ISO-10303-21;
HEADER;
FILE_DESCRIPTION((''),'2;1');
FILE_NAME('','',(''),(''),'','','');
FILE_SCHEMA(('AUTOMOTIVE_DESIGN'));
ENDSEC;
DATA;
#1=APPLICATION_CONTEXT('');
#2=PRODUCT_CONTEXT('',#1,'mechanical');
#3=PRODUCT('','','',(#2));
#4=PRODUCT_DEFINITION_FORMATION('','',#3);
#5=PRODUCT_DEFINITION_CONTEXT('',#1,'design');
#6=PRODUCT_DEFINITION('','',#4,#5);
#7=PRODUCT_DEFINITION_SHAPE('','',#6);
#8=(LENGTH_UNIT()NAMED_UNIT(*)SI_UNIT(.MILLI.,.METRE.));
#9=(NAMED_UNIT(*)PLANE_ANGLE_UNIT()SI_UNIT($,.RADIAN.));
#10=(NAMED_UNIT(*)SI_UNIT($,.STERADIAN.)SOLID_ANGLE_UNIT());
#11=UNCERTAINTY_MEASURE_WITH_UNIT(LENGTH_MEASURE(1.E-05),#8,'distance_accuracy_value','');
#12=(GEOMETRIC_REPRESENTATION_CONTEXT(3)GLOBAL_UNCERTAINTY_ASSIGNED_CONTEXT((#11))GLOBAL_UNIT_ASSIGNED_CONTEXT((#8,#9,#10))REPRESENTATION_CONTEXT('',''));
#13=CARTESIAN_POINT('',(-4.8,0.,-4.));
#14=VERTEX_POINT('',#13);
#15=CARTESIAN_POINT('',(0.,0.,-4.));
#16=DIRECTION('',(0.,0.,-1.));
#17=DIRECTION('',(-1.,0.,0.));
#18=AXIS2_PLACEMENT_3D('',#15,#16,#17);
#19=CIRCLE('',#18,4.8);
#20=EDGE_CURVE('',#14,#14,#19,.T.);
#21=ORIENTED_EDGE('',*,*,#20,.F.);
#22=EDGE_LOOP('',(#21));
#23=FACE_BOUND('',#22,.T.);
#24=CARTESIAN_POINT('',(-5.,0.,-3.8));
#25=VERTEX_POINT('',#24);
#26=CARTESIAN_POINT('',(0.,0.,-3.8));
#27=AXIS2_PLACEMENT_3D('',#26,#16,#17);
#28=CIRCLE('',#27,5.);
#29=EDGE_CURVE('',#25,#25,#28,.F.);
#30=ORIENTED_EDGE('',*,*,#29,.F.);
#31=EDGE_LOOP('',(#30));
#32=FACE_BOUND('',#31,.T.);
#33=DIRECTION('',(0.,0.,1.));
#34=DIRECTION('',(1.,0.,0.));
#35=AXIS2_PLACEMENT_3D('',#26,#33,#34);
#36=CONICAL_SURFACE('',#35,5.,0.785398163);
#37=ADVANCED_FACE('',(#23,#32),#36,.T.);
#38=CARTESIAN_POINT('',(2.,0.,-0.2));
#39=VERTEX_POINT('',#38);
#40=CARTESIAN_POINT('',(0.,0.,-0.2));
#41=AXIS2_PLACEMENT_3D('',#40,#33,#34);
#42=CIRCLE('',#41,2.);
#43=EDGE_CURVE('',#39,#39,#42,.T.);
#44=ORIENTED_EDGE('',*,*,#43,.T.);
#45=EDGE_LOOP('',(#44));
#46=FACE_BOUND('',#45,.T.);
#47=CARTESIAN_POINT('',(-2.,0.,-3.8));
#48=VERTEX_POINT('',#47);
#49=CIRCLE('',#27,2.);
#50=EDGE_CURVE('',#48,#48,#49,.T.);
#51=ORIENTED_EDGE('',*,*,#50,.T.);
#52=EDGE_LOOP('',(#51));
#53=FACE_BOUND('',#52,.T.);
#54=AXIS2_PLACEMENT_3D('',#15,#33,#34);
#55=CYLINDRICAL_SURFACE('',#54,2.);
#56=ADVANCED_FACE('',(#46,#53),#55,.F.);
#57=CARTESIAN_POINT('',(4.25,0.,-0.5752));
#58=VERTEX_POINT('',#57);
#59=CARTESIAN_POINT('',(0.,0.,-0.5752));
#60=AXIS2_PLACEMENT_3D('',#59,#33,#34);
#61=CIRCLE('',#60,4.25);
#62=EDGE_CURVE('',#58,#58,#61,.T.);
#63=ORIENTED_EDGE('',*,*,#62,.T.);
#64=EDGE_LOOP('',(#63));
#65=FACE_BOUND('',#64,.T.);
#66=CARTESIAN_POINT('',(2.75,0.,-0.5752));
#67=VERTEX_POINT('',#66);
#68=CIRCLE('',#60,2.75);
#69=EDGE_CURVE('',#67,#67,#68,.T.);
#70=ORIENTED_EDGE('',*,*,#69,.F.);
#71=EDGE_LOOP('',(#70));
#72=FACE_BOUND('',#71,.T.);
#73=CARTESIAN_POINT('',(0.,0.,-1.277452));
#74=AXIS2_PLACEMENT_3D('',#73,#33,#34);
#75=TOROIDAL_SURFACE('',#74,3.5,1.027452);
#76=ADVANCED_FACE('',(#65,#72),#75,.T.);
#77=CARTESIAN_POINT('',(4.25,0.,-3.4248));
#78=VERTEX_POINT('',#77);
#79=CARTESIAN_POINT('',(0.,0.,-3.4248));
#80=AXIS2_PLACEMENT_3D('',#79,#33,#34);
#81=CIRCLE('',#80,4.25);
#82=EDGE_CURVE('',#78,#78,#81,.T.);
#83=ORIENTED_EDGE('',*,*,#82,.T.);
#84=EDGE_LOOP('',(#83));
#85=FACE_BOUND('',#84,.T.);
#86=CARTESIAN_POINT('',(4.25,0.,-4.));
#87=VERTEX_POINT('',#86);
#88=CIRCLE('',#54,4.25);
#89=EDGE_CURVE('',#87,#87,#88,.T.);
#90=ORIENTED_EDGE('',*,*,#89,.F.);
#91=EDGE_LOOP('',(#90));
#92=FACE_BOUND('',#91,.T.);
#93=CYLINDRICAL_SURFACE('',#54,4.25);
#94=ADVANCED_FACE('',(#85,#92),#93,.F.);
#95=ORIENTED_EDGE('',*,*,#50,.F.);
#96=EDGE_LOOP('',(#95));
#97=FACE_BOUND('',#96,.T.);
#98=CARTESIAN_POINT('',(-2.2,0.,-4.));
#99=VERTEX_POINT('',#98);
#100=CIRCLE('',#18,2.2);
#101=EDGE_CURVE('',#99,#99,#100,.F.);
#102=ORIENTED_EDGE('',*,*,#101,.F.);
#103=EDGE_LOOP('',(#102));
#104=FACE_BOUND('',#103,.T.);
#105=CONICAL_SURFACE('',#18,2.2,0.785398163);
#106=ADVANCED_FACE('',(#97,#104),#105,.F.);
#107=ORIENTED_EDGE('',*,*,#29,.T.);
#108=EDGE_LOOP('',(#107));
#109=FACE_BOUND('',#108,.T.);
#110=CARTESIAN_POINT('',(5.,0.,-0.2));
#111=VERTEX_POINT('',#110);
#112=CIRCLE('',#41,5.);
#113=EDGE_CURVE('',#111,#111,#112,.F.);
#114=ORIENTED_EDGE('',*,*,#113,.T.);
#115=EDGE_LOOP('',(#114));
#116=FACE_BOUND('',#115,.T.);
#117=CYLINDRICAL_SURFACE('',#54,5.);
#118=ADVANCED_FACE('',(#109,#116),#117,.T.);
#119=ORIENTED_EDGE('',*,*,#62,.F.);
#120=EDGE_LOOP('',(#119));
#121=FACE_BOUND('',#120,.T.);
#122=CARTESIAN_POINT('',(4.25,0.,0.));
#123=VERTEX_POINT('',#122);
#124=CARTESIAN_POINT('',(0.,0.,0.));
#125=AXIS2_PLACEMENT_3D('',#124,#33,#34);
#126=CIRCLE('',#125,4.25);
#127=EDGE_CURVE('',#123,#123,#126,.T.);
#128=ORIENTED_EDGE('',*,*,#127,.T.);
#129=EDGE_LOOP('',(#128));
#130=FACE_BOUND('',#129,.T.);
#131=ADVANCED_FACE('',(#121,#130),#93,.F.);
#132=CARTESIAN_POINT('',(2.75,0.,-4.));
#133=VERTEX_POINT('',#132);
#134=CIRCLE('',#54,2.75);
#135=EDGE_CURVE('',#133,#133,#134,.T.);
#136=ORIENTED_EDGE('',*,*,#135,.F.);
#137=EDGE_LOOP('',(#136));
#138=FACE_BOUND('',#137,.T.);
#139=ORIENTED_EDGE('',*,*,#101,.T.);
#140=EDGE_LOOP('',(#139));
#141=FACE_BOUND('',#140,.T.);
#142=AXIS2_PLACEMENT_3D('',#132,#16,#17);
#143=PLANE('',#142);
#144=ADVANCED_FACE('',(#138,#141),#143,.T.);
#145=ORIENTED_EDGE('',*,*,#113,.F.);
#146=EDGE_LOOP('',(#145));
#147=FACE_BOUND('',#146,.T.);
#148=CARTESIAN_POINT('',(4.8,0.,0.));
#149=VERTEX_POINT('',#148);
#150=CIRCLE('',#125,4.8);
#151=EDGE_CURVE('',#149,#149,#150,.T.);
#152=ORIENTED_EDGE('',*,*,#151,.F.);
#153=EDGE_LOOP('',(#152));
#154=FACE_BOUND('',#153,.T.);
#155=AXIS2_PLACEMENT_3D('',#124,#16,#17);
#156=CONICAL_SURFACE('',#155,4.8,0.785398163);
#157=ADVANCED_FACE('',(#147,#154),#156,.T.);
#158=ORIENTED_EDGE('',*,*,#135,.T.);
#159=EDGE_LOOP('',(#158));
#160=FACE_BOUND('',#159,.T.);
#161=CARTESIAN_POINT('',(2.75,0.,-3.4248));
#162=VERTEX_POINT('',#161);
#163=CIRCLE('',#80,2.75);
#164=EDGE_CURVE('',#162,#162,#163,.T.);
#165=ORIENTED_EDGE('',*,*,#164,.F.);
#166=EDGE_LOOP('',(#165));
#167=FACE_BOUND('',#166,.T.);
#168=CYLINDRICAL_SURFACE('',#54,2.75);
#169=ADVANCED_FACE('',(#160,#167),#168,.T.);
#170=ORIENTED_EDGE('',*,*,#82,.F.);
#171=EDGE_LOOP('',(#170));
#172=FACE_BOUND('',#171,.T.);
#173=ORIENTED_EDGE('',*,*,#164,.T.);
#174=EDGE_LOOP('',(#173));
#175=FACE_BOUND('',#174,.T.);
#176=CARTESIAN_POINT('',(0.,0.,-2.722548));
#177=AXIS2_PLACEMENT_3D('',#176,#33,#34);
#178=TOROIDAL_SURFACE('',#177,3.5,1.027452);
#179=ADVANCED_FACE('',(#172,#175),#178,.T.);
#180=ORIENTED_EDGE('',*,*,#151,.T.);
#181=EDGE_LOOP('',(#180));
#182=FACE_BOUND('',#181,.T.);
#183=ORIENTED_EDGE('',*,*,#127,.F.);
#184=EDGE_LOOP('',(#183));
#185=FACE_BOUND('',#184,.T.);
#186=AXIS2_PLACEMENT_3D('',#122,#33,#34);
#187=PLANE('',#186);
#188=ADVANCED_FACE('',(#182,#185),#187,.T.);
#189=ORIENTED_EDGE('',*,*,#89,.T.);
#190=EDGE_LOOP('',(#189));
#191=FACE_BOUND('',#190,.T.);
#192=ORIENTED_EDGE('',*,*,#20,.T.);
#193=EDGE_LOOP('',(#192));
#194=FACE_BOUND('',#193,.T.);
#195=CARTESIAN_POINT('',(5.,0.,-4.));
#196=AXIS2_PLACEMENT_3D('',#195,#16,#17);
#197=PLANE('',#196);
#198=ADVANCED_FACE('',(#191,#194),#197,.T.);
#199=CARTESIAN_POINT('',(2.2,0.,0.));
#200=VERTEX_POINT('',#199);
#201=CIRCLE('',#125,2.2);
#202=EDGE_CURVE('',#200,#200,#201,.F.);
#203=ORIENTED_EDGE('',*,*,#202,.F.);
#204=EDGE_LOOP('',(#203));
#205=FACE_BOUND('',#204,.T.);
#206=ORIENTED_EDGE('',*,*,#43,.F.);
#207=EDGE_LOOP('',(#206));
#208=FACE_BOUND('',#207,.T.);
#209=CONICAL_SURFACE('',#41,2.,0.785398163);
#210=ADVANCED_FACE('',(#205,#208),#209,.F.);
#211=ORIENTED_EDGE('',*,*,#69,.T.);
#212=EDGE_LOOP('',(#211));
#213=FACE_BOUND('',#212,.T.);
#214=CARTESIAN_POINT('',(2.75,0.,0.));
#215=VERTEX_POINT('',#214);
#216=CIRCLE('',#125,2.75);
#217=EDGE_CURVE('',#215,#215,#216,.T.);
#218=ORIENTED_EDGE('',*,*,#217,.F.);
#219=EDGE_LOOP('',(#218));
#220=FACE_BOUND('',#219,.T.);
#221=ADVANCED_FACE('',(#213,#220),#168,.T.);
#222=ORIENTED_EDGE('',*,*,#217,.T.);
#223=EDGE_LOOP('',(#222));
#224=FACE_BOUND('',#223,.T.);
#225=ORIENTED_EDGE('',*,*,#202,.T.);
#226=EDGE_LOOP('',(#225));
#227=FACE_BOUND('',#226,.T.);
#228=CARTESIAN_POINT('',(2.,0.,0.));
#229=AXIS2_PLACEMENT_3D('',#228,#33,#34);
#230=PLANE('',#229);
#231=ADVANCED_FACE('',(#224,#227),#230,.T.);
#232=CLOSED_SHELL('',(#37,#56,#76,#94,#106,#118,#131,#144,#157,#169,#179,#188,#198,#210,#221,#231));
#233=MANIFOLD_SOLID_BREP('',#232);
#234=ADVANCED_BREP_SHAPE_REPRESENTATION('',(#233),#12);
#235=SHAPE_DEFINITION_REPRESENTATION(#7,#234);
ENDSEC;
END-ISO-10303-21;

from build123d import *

# Parameters (mm, degrees)
CHAMFER1_SIZE = 0.2
CHAMFER2_SIZE = 0.2
CHAMFER3_SIZE = 0.2
CHAMFER4_SIZE = 0.2


with BuildPart() as part:
    # Sketch1 → Revolve1 (revolve)
    with BuildSketch(Plane(origin=(0, 0, 0), x_dir=(1, 0, 0), z_dir=(0, 1, 0))):
        with BuildLine():
            Line((2.75, 3.424799903), (2.75, 4))
            Line((2.75, 4), (2, 4))
            Line((2, 4), (2, 0))
            Line((2, 0), (2.75, 0))
            Line((2.75, 0), (2.75, 0.575200097))
            ThreePointArc((2.75, 0.575200097), (3.5, 0.25), (4.25, 0.575200097))
            Line((4.25, 0.575200097), (4.25, 0))
            Line((4.25, 0), (5, 0))
            Line((5, 0), (5, 4))
            Line((5, 4), (4.25, 4))
            Line((4.25, 4), (4.25, 3.424799903))
            ThreePointArc((4.25, 3.424799903), (3.5, 3.75), (2.75, 3.424799903))
        make_face()
    revolve(axis=Axis((0, 0, -4), (0, 0, 1)))

    # Chamfer1
    chamfer1_edges = [part.edges().sort_by_distance(p)[0] for p in [
        (-5, 0, -4),
    ]]
    chamfer(chamfer1_edges, length=CHAMFER1_SIZE)

    # Chamfer2
    chamfer2_edges = [part.edges().sort_by_distance(p)[0] for p in [
        (-2, 0, -4),
    ]]
    chamfer(chamfer2_edges, length=CHAMFER2_SIZE)

    # Chamfer3
    chamfer3_edges = [part.edges().sort_by_distance(p)[0] for p in [
        (-5, 0, 0),
    ]]
    chamfer(chamfer3_edges, length=CHAMFER3_SIZE)

    # Chamfer4
    chamfer4_edges = [part.edges().sort_by_distance(p)[0] for p in [
        (-2, 0, 0),
    ]]
    chamfer(chamfer4_edges, length=CHAMFER4_SIZE)


solid = part.part
